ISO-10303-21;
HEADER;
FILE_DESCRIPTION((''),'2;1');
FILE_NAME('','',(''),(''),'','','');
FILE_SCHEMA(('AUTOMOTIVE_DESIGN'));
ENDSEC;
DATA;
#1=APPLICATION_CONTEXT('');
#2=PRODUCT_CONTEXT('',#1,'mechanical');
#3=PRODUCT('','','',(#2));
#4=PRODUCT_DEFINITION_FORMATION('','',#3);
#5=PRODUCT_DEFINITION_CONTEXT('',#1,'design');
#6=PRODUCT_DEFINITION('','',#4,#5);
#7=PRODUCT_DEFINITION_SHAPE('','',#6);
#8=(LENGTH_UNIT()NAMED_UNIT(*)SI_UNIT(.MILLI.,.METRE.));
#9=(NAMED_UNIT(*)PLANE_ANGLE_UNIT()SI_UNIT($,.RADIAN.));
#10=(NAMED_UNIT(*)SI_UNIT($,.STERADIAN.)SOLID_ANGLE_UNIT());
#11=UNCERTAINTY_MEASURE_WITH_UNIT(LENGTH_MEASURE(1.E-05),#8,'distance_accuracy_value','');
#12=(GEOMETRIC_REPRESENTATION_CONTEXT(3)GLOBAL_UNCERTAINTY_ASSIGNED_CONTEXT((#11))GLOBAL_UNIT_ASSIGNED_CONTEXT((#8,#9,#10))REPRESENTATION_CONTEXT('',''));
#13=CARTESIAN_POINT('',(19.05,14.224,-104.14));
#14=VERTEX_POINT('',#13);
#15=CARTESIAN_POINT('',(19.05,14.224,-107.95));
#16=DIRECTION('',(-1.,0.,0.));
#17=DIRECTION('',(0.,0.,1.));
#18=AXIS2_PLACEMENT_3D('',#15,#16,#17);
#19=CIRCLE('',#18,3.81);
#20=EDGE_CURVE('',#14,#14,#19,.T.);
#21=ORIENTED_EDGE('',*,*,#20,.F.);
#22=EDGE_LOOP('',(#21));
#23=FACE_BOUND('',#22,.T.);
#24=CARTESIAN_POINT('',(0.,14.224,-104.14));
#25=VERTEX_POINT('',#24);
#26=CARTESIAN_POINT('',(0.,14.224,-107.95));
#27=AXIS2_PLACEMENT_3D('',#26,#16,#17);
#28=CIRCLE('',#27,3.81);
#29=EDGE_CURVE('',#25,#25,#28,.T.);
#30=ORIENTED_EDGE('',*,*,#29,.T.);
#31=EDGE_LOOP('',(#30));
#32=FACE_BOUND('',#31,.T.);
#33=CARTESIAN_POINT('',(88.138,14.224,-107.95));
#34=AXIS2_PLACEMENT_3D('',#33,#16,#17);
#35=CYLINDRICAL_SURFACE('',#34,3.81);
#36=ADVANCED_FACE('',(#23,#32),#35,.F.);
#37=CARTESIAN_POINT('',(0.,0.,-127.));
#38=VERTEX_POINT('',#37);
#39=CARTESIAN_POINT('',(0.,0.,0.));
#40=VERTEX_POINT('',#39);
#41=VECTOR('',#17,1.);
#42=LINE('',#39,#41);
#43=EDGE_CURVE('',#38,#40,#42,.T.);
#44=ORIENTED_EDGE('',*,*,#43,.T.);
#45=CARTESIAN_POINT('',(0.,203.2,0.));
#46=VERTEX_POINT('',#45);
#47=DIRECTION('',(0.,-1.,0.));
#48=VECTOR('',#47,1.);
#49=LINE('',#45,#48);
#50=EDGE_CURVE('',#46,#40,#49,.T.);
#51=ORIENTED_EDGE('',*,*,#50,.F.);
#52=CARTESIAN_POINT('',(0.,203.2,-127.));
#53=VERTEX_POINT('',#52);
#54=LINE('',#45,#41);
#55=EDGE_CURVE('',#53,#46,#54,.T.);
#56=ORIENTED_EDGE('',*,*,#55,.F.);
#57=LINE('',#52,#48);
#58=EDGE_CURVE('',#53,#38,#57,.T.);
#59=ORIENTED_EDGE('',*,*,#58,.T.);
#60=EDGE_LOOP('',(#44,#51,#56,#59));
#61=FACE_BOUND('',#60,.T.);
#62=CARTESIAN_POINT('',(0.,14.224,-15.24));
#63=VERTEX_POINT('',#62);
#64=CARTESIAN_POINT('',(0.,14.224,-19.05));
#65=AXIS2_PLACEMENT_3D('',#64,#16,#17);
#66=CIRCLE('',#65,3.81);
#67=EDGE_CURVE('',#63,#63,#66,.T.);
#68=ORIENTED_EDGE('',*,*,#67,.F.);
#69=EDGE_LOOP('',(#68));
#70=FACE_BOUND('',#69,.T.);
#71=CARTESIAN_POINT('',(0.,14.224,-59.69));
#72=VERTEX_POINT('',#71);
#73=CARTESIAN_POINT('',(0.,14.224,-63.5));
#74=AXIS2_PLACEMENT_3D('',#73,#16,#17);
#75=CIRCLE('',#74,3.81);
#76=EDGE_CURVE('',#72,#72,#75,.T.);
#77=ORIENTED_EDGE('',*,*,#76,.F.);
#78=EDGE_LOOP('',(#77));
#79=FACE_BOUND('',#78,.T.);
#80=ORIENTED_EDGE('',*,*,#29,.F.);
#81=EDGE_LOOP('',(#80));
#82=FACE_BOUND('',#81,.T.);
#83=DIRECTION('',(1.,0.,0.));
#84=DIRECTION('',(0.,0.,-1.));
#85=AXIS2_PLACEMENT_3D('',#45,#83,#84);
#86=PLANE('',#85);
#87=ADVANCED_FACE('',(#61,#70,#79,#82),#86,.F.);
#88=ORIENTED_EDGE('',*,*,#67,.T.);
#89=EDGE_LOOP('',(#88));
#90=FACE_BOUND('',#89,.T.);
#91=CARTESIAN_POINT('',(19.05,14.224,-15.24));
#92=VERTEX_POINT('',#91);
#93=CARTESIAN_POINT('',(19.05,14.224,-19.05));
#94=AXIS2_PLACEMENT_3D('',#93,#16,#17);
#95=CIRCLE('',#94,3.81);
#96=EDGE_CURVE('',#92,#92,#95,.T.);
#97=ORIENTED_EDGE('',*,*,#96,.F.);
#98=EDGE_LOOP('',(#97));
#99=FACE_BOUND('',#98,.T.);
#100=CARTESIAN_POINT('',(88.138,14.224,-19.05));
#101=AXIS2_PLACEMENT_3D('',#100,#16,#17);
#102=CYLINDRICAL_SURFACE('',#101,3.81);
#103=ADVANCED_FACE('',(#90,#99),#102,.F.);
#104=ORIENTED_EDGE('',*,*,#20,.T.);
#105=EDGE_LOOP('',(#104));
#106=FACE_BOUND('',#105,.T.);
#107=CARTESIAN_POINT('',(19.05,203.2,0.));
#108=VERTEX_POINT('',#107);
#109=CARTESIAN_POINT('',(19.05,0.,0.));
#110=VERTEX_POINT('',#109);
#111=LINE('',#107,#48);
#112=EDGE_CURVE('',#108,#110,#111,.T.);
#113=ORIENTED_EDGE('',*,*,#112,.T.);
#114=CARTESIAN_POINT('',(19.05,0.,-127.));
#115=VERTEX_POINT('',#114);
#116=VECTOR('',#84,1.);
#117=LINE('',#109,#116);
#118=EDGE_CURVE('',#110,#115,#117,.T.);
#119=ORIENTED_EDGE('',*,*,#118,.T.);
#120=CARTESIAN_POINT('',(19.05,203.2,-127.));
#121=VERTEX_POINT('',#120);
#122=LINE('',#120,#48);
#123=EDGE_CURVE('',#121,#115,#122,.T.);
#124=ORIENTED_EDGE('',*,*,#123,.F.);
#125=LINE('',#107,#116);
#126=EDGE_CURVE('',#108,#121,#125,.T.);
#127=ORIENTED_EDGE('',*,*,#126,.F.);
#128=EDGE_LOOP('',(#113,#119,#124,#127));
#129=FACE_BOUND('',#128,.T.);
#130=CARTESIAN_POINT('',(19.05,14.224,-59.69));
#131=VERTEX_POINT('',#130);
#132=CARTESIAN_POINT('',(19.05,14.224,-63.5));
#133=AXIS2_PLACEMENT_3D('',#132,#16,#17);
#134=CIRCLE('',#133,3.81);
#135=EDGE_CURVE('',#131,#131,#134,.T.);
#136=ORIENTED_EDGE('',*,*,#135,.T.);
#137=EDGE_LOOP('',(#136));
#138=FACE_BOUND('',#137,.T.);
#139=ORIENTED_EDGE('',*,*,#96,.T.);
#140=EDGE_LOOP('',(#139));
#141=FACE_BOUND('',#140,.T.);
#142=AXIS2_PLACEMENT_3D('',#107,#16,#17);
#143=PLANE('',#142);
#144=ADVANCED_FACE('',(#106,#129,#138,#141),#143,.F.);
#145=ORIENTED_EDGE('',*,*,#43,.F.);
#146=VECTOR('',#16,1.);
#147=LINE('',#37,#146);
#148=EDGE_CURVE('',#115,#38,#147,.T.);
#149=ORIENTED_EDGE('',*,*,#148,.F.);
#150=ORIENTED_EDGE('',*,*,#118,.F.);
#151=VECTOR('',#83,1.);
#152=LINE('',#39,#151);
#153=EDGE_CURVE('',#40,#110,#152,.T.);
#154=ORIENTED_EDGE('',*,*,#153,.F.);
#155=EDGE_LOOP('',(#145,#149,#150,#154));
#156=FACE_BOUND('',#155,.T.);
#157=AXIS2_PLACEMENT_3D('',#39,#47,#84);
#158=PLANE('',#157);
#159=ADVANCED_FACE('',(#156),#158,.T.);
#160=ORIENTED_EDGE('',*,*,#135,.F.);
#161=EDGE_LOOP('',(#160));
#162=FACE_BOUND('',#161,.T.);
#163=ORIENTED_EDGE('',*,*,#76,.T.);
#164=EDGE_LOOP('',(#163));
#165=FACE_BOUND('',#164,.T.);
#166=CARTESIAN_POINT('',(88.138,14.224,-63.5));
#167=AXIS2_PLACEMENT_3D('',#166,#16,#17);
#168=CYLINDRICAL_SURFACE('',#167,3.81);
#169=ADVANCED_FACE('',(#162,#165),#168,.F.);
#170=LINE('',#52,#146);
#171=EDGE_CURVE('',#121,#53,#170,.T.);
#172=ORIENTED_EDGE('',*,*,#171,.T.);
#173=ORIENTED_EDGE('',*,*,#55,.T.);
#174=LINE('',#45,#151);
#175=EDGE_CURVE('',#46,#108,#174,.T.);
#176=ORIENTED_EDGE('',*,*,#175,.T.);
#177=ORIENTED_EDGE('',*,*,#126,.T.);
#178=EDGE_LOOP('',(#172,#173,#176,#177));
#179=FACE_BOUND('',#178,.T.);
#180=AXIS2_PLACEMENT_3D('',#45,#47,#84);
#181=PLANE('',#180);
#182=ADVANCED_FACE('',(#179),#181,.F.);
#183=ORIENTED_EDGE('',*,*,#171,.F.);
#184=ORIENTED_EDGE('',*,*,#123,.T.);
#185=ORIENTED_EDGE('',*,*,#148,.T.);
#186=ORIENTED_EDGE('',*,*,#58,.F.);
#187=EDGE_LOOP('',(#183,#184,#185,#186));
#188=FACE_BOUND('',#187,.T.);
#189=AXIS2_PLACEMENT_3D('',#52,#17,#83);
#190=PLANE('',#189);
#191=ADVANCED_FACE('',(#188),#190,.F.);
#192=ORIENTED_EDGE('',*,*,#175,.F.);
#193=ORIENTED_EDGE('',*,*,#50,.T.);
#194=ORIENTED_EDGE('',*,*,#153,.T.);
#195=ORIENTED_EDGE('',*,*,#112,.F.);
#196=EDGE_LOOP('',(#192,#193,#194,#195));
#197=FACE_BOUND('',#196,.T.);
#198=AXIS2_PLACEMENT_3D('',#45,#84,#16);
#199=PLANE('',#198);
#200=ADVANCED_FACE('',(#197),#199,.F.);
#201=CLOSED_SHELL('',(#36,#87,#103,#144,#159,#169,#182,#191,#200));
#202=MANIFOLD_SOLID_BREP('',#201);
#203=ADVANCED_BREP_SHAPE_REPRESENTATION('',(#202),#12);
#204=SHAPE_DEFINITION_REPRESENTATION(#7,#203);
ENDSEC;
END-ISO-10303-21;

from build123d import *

# Parameters (mm, degrees)
SKETCH1_W           = 19.05
SKETCH1_H           = 127
BOSS_EXTRUDE2_DEPTH = 203.2
SKETCH2_R           = 3.81
CUT_EXTRUDE1_DEPTH  = 88.138


with BuildPart() as part:
    # Sketch1 → Boss-Extrude2 (new body)
    with BuildSketch(Plane(origin=(0, 0, 0), x_dir=(1, 0, 0), z_dir=(0, 1, 0))):
        with Locations((9.525, 63.5)):
            Rectangle(SKETCH1_W, SKETCH1_H)
    extrude(amount=BOSS_EXTRUDE2_DEPTH)

    # Sketch2 → Cut-Extrude1 (cut)
    with BuildSketch(Plane.ZY):
        with Locations((-107.95, 14.224)):
            Circle(SKETCH2_R)
        with Locations((-63.5, 14.224)):
            Circle(SKETCH2_R)
        with Locations((-19.05, 14.224)):
            Circle(SKETCH2_R)
    extrude(amount=-CUT_EXTRUDE1_DEPTH, mode=Mode.SUBTRACT)


solid = part.part
